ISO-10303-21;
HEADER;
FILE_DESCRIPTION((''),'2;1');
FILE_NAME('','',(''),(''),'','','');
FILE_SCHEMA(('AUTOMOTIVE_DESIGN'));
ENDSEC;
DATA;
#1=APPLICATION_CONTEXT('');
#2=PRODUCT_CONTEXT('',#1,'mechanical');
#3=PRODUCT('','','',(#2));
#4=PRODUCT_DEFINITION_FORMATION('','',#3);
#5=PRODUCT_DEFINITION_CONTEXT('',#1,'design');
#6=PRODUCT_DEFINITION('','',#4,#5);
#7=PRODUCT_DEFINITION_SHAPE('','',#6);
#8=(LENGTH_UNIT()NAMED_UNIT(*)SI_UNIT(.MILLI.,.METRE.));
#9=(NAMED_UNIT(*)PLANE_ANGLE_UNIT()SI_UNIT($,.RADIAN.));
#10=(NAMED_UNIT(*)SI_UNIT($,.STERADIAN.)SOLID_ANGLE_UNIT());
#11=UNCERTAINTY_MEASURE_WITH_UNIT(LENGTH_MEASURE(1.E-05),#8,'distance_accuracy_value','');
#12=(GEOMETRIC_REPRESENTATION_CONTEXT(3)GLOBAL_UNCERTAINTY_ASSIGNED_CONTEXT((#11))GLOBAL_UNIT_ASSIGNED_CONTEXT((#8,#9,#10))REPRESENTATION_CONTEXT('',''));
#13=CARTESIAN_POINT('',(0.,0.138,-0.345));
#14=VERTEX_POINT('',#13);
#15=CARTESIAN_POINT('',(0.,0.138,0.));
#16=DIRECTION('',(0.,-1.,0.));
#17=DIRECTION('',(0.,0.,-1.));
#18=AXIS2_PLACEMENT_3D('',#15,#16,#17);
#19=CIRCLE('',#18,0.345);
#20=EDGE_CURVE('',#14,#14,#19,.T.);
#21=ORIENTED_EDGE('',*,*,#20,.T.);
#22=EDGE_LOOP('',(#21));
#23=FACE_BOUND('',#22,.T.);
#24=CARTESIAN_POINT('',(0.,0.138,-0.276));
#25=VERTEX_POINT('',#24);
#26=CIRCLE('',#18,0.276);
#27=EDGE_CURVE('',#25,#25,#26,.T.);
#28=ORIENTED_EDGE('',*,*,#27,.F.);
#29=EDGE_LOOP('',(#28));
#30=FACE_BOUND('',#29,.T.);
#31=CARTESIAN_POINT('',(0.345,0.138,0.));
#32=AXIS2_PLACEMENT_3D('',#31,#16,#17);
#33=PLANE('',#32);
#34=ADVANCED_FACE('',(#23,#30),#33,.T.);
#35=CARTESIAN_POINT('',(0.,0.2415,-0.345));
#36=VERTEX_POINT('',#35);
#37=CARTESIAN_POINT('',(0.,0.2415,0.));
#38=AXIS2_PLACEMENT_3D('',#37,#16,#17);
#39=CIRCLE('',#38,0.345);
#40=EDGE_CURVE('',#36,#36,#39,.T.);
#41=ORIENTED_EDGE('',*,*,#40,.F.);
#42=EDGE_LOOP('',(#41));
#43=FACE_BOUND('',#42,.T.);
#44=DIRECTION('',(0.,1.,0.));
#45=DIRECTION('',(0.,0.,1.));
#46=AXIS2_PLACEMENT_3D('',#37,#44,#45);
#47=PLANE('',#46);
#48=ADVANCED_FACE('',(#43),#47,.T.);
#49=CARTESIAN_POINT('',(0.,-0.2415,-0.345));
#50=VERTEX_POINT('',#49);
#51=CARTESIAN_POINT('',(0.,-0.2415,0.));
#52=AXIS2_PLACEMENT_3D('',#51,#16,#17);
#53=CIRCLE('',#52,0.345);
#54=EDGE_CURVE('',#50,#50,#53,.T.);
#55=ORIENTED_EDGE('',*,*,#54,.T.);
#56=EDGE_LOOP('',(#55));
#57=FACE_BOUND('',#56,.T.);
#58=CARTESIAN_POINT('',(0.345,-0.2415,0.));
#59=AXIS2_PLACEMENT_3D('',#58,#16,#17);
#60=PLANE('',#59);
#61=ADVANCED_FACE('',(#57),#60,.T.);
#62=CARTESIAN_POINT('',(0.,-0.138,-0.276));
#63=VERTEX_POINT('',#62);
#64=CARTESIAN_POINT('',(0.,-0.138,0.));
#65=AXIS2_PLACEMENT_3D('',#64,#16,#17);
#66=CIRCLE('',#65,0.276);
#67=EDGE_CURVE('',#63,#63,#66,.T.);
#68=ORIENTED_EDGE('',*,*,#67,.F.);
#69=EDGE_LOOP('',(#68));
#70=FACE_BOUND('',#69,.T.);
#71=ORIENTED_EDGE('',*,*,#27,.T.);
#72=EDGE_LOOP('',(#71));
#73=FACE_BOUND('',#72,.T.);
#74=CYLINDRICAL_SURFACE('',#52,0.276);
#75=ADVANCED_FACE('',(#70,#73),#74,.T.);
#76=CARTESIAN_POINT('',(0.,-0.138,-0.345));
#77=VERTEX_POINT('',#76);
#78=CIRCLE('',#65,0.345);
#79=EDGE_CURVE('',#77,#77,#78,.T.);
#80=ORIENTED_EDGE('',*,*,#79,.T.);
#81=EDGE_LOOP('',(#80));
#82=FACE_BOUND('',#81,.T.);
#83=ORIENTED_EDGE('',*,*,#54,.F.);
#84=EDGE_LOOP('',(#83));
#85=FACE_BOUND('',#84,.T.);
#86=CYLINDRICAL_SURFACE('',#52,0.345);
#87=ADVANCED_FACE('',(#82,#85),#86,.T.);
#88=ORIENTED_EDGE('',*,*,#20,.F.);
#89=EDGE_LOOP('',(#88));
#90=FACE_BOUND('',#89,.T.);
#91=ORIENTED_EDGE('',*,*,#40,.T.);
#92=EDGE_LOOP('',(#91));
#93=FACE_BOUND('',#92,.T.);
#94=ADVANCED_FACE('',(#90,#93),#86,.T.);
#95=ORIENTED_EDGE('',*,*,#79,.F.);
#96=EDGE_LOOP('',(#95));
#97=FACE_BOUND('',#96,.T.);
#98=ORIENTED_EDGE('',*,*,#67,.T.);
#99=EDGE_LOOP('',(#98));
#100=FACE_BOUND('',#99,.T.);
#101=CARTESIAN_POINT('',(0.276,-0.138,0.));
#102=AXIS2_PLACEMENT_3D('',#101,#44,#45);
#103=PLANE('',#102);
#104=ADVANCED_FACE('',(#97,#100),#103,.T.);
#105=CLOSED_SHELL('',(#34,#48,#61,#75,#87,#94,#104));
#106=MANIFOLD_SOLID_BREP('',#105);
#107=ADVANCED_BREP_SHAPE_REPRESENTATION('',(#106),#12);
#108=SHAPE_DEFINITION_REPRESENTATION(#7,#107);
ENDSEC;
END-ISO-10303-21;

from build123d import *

# Parameters (mm, degrees)
ECHELLE1_SCALE = 0.69


with BuildPart() as part:
    # Esquisse1 → Révolution1 (revolve)
    with BuildSketch(Plane.XY, mode=Mode.PRIVATE) as r_volution1_sk:
        Polygon((0, -0.35), (0, 0.35), (0.5, 0.35), (0.5, 0.2), (0.4, 0.2), (0.4, -0.2), (0.5, -0.2), (0.5, -0.35), align=None)
    revolve(r_volution1_sk.sketch.rotate(Axis((0, -0.35, 0), (0, 1, 0)), 90), axis=Axis((0, -0.35, 0), (0, 1, 0)))


with BuildPart() as part_1:
    # Echelle1: scaled about (0, 0, 0)
    add(part.part.scale(ECHELLE1_SCALE))


solid = part_1.part
